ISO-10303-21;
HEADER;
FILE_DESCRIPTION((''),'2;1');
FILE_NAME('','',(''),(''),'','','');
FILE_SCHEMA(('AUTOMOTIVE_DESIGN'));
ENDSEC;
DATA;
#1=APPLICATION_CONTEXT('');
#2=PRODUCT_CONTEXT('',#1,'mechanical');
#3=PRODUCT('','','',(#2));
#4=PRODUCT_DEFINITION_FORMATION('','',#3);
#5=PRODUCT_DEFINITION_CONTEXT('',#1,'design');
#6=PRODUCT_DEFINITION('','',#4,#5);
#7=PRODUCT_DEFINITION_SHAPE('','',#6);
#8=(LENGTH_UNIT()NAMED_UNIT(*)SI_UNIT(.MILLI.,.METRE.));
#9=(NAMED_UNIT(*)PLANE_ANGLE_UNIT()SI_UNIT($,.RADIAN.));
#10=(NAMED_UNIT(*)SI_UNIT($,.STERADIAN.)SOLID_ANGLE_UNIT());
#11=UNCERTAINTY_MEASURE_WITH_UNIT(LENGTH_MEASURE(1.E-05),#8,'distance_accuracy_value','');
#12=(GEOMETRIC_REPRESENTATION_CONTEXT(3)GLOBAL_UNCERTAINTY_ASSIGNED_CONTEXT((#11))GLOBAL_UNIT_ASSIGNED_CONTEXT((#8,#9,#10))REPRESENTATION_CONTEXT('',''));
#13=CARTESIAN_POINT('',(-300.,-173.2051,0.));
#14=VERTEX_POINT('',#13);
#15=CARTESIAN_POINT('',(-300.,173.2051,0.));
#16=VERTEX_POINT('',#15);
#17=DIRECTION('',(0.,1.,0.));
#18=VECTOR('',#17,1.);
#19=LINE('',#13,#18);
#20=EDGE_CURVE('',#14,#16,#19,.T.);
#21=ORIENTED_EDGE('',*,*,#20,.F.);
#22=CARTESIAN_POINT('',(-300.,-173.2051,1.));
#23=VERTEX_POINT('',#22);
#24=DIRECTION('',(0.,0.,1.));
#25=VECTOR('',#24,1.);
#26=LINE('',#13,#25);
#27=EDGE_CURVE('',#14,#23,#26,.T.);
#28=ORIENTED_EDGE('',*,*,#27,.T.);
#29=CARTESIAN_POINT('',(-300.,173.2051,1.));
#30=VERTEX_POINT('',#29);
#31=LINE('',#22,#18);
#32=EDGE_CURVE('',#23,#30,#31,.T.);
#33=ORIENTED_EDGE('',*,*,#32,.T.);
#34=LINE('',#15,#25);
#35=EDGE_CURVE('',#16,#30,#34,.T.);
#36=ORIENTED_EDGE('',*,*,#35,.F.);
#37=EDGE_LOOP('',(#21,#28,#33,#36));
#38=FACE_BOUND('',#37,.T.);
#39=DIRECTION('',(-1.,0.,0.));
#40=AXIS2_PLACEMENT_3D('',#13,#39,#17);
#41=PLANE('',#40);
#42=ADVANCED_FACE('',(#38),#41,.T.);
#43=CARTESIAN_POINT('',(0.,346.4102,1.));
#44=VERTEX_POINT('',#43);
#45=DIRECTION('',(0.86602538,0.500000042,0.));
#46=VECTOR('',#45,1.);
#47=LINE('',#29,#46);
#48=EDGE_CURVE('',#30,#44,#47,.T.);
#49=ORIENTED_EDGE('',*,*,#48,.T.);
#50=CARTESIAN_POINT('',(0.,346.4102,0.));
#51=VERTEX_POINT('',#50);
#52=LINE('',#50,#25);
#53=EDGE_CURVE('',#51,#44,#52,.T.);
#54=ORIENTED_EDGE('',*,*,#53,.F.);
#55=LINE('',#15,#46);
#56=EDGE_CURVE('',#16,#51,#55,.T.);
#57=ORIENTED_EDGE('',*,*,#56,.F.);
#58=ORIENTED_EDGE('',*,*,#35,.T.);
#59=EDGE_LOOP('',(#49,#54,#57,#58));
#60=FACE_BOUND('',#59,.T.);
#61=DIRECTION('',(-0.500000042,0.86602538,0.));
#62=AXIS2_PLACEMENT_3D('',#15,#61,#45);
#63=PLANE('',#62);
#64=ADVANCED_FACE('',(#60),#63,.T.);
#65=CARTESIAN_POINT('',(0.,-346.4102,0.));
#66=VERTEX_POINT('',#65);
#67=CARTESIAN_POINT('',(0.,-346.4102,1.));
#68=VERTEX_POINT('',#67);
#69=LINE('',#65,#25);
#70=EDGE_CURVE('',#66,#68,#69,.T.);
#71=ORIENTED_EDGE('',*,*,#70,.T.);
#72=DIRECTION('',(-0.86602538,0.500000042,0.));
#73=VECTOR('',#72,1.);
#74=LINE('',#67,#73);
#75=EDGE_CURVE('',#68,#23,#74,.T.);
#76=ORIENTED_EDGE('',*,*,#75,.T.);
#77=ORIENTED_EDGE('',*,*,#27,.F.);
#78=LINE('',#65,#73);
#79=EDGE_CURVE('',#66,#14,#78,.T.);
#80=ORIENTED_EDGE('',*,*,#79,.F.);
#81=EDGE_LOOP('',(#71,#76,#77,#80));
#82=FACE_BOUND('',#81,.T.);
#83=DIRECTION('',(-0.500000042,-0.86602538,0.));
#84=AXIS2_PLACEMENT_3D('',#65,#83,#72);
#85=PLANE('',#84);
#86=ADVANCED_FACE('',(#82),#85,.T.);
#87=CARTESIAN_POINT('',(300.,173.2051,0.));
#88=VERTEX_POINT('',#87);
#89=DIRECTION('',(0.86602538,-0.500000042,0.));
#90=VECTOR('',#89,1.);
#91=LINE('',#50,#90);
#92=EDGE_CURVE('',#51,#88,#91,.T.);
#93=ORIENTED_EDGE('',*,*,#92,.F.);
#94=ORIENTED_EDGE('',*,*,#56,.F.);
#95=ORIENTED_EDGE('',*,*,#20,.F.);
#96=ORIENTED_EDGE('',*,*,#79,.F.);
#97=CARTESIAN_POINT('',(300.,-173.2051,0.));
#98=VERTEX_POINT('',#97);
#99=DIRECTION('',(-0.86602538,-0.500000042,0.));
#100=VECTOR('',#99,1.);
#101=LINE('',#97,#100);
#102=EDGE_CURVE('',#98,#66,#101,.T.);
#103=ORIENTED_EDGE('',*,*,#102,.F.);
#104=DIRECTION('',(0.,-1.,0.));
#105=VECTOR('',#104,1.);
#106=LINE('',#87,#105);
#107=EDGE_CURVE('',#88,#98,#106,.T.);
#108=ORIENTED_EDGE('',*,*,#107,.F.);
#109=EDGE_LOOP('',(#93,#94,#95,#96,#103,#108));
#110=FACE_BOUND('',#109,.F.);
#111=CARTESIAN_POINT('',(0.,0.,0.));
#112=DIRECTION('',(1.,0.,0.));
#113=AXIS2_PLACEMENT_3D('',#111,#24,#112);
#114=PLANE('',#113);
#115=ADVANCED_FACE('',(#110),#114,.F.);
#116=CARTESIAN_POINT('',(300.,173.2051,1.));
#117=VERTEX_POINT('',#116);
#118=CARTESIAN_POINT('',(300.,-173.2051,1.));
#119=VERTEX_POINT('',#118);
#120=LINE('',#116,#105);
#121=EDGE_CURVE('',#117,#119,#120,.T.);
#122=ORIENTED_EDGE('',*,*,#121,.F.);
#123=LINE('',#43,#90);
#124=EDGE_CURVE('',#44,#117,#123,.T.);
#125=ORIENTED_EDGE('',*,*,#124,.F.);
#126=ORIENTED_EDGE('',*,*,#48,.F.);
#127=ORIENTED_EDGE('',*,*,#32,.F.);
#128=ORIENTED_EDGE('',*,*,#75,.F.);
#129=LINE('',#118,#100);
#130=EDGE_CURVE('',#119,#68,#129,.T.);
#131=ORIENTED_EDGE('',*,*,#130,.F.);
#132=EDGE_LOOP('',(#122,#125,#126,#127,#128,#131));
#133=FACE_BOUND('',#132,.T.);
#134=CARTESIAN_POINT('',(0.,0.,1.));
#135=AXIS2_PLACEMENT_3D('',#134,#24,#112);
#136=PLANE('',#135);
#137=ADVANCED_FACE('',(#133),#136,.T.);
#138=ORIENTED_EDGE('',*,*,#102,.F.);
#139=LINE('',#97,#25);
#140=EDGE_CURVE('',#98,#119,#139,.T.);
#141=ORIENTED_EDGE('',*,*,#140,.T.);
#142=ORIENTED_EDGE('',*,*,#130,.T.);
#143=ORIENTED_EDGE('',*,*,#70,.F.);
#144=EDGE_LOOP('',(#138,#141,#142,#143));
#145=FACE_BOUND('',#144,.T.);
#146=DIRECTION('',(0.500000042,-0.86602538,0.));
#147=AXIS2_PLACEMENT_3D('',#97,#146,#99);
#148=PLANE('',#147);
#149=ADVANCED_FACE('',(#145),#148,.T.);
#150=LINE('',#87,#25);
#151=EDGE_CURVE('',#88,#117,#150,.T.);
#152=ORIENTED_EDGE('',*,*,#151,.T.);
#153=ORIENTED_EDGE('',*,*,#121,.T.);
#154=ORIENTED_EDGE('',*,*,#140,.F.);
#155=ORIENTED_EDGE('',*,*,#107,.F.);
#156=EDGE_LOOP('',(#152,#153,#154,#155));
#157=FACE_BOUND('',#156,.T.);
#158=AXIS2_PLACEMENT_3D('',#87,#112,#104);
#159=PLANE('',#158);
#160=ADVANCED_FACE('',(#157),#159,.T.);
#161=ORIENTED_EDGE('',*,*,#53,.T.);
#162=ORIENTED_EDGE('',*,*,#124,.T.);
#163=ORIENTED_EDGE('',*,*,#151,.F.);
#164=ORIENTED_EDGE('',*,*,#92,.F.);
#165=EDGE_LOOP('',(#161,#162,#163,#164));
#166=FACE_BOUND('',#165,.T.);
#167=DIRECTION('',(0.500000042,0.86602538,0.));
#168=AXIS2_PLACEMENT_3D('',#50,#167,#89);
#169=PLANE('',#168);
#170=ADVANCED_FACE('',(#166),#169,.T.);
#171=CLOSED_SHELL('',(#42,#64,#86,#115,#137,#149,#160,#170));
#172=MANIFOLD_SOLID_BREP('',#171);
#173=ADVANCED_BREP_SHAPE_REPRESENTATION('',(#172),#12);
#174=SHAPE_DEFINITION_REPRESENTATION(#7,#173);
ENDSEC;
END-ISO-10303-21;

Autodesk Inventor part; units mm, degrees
ref_plane "YZ Plane" through (0, 0, 0) normal (1, 0, 0) x (0, 1, 0)
ref_plane "XZ Plane" through (0, 0, 0) normal (0, 1, 0) x (-1, 0, 0)
ref_plane "XY Plane" through (0, 0, 0) normal (0, 0, 1) x (1, 0, 0)
ref_plane "Work Plane1" through (0, 0, 0) normal (0, 0, 1) x (1, 0, 0)
sketch "Sketch1" plane through (0, 0, 0) normal (0, 0, 1) x (1, 0, 0)
  line L0 (300, -173.2051) -> (0, -346.4102)
  line L1 (0, -346.4102) -> (-300, -173.2051)
  line L2 (-300, -173.2051) -> (-300, 173.2051)
  line L3 (-300, 173.2051) -> (0, 346.4102)
  line L4 (0, 346.4102) -> (300, 173.2051)
  line L5 (300, 173.2051) -> (300, -173.2051)
  point P0 (0, 0)
  point P1 (0, 0)
  dimension "d0" = 300
extrude "Extrusion1" add sketch "Sketch1" along normal blind 1
properties part number "Mesh"
